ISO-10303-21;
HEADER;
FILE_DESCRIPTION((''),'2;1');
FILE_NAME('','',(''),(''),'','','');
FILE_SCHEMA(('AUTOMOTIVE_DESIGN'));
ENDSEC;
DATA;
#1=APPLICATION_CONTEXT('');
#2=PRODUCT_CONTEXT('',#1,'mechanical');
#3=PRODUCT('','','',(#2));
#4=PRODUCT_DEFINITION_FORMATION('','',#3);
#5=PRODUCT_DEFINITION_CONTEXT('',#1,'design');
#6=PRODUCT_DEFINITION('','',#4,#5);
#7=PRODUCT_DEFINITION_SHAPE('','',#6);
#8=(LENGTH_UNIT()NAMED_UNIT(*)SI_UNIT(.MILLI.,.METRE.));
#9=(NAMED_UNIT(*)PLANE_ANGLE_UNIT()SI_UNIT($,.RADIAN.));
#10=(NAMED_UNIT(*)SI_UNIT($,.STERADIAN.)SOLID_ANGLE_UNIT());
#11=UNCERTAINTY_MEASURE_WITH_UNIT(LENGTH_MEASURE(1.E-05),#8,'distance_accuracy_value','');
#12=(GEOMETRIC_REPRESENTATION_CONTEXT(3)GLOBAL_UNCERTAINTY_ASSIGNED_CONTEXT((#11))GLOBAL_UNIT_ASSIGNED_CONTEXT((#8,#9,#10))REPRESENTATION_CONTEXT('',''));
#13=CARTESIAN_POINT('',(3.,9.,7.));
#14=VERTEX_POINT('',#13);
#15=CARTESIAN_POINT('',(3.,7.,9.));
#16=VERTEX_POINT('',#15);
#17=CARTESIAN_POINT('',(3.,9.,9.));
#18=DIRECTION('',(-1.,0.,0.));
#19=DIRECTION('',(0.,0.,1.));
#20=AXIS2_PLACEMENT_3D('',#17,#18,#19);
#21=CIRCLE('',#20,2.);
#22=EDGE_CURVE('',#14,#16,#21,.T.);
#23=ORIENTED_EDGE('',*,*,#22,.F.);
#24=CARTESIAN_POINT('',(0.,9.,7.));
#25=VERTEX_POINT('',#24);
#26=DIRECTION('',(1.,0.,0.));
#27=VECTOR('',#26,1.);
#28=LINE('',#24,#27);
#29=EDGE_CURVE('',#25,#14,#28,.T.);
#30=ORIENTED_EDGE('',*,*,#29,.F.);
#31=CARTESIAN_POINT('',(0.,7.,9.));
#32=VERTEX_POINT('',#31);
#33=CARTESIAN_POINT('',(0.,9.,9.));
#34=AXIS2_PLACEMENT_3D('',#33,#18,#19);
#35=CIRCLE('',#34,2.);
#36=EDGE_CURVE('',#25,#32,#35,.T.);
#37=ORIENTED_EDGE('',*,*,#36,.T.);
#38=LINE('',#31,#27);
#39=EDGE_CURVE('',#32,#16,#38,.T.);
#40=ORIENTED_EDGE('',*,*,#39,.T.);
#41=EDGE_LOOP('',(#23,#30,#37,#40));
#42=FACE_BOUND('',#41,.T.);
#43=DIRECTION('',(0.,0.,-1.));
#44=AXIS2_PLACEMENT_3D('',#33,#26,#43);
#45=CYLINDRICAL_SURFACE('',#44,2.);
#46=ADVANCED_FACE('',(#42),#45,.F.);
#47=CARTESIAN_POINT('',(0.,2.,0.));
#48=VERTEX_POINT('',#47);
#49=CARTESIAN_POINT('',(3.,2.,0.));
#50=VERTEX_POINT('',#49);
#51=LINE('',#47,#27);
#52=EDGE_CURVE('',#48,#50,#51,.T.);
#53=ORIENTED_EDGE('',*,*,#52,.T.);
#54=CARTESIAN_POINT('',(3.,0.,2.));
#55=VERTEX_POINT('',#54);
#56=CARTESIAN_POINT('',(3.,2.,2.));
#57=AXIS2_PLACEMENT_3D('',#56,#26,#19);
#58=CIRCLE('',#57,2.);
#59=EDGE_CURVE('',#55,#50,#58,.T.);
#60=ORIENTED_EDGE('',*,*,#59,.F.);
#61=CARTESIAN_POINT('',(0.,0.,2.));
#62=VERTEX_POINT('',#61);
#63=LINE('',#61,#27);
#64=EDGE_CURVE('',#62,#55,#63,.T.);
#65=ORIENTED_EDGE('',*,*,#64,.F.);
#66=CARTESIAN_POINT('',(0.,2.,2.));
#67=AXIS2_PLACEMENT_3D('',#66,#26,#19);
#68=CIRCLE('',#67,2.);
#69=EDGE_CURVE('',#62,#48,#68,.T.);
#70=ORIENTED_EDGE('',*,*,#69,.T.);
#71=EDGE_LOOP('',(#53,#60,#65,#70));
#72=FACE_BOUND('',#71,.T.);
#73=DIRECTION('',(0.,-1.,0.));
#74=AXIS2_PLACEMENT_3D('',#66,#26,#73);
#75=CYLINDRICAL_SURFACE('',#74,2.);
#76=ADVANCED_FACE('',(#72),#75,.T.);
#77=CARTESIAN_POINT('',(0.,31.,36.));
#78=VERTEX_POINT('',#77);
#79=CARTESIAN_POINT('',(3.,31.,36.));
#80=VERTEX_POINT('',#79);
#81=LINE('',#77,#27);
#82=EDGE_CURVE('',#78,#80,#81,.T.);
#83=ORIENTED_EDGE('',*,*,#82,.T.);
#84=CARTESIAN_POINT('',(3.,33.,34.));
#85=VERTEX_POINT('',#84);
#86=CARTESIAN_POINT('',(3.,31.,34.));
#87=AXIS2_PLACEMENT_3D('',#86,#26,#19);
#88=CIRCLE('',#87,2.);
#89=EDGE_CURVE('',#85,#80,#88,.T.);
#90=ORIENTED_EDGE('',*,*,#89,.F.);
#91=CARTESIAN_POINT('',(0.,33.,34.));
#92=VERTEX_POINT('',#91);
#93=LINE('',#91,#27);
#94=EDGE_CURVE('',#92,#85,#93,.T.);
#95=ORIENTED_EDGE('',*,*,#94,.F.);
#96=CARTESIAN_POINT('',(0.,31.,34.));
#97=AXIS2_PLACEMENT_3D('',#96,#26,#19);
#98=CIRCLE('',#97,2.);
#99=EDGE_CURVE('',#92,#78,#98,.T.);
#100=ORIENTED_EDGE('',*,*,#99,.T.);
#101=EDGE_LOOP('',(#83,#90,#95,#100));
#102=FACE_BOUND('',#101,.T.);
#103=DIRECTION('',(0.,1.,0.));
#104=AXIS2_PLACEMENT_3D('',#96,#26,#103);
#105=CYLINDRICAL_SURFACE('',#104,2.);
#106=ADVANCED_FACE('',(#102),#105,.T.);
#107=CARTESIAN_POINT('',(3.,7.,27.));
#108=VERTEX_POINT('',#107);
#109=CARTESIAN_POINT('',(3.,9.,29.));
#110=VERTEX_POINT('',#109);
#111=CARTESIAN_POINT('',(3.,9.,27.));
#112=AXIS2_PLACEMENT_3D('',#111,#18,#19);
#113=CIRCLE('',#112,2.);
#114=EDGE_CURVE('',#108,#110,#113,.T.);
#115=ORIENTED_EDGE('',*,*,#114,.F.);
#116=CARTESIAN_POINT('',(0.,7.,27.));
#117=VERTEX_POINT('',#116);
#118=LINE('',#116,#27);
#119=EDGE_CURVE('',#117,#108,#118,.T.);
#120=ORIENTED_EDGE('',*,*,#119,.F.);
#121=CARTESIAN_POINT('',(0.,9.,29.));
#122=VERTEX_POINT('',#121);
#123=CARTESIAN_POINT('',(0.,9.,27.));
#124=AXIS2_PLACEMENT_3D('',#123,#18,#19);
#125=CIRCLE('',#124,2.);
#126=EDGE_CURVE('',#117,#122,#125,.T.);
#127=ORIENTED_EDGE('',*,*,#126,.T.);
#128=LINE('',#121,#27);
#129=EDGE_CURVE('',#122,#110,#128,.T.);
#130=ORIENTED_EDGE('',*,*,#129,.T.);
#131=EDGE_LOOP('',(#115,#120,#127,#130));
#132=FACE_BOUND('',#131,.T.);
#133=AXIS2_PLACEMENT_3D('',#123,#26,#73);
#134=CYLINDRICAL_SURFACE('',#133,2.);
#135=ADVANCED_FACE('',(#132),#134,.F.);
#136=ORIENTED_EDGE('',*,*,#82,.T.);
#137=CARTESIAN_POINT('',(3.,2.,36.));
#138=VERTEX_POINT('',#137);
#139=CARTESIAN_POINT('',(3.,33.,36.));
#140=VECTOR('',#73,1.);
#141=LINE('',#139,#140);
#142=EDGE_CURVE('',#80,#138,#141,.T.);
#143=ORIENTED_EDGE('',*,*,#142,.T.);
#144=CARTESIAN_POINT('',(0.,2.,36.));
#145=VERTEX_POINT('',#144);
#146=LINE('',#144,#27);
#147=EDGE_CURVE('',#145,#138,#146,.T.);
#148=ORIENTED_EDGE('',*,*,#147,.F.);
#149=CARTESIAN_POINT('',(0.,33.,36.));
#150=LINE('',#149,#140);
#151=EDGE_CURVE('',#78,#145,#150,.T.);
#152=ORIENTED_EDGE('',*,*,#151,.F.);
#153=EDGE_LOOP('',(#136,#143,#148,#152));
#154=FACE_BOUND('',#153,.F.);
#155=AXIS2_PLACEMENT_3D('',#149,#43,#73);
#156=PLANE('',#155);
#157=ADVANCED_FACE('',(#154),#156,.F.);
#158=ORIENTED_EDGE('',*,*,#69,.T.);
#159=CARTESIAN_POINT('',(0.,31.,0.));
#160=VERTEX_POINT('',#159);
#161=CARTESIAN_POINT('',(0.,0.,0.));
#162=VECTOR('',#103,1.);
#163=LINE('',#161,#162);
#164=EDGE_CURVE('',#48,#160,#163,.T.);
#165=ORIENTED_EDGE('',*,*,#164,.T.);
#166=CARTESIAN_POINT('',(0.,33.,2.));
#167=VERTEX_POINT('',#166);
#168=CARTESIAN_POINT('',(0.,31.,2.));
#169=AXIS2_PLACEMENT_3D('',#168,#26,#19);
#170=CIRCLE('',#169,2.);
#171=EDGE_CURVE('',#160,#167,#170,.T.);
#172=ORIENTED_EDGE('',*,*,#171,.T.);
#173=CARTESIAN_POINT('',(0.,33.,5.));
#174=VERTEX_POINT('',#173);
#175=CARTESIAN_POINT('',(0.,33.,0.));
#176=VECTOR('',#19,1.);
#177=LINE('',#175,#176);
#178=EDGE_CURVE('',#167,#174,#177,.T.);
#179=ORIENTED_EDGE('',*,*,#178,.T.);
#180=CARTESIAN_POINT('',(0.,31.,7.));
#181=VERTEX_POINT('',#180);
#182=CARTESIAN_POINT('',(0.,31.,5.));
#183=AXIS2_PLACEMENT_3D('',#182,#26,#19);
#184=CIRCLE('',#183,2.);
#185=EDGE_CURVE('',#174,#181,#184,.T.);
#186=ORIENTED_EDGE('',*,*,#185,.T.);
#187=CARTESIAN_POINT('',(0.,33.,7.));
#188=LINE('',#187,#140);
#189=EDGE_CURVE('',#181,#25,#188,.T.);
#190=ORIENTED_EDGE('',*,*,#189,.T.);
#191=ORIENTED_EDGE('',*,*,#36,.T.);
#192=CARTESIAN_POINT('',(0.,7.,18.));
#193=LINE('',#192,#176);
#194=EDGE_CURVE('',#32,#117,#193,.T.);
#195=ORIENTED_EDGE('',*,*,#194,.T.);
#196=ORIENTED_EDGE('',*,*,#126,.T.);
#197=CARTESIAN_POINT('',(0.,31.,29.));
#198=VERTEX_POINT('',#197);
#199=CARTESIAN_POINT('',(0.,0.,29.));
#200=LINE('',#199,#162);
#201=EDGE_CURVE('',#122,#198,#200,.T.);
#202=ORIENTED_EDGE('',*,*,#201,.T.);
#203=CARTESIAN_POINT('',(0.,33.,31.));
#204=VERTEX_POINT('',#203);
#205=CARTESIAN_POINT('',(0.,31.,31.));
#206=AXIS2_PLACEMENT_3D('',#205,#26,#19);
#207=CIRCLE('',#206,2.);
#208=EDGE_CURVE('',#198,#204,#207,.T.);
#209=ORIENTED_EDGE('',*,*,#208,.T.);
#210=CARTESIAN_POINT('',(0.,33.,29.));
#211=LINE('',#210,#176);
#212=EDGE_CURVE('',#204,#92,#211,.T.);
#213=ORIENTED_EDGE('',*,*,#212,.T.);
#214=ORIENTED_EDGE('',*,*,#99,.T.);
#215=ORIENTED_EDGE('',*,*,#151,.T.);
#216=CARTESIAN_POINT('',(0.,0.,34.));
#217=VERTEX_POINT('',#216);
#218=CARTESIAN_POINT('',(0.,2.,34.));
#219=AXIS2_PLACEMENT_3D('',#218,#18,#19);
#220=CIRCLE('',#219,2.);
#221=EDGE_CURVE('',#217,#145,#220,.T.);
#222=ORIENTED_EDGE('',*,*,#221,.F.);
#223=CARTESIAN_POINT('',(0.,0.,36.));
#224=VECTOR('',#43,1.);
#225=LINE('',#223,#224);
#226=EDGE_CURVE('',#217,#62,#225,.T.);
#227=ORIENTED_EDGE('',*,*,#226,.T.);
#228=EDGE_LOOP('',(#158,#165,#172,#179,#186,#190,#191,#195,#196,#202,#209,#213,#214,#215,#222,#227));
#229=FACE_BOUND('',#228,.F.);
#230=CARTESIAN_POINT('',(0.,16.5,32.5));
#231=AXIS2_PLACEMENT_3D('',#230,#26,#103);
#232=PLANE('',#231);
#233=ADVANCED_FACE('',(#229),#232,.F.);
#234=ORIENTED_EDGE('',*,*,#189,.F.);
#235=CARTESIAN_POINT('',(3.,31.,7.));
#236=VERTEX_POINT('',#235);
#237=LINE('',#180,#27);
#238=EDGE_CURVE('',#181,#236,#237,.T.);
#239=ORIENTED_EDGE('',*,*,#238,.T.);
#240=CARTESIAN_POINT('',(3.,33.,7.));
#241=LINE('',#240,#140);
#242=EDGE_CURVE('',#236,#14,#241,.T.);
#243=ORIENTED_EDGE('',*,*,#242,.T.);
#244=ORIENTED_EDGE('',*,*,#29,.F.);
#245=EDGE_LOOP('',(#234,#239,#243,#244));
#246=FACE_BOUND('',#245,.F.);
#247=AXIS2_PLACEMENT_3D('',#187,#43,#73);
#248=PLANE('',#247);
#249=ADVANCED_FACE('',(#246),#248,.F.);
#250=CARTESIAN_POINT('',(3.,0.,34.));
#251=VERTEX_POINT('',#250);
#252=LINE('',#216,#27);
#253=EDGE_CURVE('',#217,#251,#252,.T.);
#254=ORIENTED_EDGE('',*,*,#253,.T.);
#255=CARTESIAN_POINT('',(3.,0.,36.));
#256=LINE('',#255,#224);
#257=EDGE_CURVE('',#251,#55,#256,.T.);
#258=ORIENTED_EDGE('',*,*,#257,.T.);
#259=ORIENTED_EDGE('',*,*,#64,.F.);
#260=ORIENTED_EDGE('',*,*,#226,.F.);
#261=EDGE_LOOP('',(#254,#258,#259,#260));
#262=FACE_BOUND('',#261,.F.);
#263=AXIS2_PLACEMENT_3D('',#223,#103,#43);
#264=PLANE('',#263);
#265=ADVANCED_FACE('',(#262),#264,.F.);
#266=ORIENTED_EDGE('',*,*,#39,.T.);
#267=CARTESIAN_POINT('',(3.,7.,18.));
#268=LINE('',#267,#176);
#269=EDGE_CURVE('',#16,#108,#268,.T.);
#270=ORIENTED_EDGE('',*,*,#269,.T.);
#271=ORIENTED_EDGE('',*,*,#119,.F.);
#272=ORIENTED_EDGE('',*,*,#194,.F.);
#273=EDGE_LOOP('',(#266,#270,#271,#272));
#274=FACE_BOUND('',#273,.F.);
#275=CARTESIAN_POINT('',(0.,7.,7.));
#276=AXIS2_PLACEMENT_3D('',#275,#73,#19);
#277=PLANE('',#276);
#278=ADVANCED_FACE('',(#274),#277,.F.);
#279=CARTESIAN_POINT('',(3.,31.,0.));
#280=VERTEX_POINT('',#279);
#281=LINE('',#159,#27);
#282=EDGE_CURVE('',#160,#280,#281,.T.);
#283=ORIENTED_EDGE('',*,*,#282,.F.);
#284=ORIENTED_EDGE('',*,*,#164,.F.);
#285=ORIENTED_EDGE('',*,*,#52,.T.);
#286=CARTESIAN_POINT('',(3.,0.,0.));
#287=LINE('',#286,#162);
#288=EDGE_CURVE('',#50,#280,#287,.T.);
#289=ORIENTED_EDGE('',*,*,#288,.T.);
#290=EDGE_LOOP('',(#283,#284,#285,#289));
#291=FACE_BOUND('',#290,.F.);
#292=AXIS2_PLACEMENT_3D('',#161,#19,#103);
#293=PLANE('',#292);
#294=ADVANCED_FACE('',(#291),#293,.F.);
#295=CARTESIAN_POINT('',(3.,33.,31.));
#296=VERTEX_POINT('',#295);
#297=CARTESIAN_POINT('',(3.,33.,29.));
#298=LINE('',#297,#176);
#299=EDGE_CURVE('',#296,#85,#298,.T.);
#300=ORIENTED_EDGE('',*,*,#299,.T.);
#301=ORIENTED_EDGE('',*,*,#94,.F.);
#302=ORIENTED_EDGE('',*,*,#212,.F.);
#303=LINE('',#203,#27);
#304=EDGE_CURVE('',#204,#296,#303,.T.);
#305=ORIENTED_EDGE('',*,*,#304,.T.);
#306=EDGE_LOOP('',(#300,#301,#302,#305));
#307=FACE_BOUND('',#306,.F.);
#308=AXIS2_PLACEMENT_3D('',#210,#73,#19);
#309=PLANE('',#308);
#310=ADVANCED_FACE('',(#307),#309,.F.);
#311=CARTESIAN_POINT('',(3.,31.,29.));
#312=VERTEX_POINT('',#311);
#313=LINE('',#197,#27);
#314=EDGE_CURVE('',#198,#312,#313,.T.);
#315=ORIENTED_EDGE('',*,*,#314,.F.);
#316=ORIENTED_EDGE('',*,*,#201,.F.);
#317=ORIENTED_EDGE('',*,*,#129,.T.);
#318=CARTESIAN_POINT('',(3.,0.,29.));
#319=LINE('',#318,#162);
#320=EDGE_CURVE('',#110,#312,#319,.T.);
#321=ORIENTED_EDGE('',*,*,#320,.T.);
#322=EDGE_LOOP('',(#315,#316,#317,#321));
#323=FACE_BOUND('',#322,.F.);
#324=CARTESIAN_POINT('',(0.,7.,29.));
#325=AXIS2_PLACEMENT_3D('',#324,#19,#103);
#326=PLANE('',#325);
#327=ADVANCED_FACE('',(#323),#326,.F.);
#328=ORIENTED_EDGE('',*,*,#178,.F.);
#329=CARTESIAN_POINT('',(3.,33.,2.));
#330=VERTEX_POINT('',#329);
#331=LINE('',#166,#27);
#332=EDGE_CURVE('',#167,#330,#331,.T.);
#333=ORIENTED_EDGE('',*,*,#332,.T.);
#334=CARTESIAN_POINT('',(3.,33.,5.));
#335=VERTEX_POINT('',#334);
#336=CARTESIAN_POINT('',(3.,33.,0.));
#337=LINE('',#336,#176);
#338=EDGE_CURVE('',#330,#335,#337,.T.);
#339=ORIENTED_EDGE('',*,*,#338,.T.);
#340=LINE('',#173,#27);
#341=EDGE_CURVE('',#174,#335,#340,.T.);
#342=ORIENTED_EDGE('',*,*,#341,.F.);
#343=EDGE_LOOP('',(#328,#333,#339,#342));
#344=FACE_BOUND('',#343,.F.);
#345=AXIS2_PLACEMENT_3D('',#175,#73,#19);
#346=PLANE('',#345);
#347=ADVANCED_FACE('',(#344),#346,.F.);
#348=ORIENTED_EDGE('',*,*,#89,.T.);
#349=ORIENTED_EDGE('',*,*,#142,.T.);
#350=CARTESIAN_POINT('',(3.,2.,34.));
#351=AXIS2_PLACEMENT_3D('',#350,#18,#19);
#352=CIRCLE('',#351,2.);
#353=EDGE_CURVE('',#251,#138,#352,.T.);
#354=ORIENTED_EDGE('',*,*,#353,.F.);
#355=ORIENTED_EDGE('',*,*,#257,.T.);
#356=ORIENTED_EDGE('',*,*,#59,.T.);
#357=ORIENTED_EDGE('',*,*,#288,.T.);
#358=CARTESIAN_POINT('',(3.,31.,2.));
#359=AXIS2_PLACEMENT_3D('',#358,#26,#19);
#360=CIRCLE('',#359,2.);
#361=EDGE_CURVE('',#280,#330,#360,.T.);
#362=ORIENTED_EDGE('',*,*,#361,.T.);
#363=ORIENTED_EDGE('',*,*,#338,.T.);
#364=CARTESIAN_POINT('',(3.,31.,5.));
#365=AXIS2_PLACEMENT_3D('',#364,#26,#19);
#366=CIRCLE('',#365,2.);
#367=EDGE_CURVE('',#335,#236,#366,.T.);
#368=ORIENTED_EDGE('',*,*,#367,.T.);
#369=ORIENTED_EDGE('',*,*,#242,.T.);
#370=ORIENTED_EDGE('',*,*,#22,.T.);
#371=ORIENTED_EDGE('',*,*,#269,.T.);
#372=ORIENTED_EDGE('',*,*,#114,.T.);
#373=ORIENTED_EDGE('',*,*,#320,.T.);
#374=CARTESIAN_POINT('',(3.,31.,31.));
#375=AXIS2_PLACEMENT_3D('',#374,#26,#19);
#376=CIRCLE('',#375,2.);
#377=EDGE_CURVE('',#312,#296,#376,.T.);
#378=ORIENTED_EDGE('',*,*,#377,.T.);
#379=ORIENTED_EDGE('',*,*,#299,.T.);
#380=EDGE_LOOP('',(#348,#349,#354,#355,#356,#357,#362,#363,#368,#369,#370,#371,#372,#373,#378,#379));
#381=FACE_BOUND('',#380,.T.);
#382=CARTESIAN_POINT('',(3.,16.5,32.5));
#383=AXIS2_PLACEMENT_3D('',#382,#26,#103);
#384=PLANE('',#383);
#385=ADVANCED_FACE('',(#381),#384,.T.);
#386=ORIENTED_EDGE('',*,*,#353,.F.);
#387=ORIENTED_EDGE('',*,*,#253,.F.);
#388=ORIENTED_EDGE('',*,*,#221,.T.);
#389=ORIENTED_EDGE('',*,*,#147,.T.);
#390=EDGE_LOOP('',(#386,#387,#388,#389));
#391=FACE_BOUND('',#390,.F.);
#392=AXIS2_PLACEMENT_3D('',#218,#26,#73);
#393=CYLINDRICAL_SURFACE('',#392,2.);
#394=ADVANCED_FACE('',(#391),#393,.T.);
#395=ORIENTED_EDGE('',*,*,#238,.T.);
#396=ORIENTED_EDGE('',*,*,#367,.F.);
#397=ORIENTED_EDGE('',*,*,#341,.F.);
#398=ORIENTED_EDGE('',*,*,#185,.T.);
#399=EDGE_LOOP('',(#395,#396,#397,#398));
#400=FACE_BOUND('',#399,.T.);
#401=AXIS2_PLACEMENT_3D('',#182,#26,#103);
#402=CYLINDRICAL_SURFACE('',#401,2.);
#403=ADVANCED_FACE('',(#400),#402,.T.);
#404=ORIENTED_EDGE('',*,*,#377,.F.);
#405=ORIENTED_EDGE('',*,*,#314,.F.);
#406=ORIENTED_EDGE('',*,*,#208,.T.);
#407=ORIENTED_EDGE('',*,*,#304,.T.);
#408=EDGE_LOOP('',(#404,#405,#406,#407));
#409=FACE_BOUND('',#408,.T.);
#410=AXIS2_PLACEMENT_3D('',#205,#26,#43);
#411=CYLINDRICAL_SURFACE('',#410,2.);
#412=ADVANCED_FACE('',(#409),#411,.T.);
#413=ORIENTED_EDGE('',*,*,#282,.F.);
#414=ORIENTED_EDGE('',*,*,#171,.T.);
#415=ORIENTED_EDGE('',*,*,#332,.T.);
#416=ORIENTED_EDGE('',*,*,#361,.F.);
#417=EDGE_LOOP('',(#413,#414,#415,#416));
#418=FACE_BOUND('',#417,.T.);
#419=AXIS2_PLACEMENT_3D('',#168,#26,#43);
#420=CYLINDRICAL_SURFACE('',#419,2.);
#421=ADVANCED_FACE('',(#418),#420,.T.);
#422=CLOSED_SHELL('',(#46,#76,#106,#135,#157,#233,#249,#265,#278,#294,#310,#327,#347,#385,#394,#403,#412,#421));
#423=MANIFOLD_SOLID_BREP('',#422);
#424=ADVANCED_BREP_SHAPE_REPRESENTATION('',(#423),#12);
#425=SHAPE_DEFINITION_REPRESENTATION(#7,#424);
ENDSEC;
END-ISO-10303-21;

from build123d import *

# Parameters (mm, degrees)
F0_W     = 7
F0_H     = 22
F1_DEPTH = 3
F2_R     = 2


with BuildPart() as f1:
    # F0 (on Right) → F1 (new body)
    with BuildSketch(Plane.YZ):
        Polygon((0, 36), (0, 29), (7, 29), (33, 29), (33, 36), align=None)
        with Locations((3.5, 18)):
            Rectangle(F0_W, F0_H)
        Polygon((0, 7), (0, 0), (33, 0), (33, 7), (7, 7), align=None)
    extrude(amount=F1_DEPTH)

    # F2
    f2_edges = [f1.edges().sort_by_distance(p)[0] for p in [
        (1.5, 33, 36),
        (1.5, 33, 7),
        (1.5, 33, 29),
        (1.5, 33, 0),
        (1.5, 0, 0),
        (1.5, 0, 36),
        (1.5, 7, 7),
        (1.5, 7, 29),
    ]]
    fillet(f2_edges, radius=F2_R)


solid = f1.part
